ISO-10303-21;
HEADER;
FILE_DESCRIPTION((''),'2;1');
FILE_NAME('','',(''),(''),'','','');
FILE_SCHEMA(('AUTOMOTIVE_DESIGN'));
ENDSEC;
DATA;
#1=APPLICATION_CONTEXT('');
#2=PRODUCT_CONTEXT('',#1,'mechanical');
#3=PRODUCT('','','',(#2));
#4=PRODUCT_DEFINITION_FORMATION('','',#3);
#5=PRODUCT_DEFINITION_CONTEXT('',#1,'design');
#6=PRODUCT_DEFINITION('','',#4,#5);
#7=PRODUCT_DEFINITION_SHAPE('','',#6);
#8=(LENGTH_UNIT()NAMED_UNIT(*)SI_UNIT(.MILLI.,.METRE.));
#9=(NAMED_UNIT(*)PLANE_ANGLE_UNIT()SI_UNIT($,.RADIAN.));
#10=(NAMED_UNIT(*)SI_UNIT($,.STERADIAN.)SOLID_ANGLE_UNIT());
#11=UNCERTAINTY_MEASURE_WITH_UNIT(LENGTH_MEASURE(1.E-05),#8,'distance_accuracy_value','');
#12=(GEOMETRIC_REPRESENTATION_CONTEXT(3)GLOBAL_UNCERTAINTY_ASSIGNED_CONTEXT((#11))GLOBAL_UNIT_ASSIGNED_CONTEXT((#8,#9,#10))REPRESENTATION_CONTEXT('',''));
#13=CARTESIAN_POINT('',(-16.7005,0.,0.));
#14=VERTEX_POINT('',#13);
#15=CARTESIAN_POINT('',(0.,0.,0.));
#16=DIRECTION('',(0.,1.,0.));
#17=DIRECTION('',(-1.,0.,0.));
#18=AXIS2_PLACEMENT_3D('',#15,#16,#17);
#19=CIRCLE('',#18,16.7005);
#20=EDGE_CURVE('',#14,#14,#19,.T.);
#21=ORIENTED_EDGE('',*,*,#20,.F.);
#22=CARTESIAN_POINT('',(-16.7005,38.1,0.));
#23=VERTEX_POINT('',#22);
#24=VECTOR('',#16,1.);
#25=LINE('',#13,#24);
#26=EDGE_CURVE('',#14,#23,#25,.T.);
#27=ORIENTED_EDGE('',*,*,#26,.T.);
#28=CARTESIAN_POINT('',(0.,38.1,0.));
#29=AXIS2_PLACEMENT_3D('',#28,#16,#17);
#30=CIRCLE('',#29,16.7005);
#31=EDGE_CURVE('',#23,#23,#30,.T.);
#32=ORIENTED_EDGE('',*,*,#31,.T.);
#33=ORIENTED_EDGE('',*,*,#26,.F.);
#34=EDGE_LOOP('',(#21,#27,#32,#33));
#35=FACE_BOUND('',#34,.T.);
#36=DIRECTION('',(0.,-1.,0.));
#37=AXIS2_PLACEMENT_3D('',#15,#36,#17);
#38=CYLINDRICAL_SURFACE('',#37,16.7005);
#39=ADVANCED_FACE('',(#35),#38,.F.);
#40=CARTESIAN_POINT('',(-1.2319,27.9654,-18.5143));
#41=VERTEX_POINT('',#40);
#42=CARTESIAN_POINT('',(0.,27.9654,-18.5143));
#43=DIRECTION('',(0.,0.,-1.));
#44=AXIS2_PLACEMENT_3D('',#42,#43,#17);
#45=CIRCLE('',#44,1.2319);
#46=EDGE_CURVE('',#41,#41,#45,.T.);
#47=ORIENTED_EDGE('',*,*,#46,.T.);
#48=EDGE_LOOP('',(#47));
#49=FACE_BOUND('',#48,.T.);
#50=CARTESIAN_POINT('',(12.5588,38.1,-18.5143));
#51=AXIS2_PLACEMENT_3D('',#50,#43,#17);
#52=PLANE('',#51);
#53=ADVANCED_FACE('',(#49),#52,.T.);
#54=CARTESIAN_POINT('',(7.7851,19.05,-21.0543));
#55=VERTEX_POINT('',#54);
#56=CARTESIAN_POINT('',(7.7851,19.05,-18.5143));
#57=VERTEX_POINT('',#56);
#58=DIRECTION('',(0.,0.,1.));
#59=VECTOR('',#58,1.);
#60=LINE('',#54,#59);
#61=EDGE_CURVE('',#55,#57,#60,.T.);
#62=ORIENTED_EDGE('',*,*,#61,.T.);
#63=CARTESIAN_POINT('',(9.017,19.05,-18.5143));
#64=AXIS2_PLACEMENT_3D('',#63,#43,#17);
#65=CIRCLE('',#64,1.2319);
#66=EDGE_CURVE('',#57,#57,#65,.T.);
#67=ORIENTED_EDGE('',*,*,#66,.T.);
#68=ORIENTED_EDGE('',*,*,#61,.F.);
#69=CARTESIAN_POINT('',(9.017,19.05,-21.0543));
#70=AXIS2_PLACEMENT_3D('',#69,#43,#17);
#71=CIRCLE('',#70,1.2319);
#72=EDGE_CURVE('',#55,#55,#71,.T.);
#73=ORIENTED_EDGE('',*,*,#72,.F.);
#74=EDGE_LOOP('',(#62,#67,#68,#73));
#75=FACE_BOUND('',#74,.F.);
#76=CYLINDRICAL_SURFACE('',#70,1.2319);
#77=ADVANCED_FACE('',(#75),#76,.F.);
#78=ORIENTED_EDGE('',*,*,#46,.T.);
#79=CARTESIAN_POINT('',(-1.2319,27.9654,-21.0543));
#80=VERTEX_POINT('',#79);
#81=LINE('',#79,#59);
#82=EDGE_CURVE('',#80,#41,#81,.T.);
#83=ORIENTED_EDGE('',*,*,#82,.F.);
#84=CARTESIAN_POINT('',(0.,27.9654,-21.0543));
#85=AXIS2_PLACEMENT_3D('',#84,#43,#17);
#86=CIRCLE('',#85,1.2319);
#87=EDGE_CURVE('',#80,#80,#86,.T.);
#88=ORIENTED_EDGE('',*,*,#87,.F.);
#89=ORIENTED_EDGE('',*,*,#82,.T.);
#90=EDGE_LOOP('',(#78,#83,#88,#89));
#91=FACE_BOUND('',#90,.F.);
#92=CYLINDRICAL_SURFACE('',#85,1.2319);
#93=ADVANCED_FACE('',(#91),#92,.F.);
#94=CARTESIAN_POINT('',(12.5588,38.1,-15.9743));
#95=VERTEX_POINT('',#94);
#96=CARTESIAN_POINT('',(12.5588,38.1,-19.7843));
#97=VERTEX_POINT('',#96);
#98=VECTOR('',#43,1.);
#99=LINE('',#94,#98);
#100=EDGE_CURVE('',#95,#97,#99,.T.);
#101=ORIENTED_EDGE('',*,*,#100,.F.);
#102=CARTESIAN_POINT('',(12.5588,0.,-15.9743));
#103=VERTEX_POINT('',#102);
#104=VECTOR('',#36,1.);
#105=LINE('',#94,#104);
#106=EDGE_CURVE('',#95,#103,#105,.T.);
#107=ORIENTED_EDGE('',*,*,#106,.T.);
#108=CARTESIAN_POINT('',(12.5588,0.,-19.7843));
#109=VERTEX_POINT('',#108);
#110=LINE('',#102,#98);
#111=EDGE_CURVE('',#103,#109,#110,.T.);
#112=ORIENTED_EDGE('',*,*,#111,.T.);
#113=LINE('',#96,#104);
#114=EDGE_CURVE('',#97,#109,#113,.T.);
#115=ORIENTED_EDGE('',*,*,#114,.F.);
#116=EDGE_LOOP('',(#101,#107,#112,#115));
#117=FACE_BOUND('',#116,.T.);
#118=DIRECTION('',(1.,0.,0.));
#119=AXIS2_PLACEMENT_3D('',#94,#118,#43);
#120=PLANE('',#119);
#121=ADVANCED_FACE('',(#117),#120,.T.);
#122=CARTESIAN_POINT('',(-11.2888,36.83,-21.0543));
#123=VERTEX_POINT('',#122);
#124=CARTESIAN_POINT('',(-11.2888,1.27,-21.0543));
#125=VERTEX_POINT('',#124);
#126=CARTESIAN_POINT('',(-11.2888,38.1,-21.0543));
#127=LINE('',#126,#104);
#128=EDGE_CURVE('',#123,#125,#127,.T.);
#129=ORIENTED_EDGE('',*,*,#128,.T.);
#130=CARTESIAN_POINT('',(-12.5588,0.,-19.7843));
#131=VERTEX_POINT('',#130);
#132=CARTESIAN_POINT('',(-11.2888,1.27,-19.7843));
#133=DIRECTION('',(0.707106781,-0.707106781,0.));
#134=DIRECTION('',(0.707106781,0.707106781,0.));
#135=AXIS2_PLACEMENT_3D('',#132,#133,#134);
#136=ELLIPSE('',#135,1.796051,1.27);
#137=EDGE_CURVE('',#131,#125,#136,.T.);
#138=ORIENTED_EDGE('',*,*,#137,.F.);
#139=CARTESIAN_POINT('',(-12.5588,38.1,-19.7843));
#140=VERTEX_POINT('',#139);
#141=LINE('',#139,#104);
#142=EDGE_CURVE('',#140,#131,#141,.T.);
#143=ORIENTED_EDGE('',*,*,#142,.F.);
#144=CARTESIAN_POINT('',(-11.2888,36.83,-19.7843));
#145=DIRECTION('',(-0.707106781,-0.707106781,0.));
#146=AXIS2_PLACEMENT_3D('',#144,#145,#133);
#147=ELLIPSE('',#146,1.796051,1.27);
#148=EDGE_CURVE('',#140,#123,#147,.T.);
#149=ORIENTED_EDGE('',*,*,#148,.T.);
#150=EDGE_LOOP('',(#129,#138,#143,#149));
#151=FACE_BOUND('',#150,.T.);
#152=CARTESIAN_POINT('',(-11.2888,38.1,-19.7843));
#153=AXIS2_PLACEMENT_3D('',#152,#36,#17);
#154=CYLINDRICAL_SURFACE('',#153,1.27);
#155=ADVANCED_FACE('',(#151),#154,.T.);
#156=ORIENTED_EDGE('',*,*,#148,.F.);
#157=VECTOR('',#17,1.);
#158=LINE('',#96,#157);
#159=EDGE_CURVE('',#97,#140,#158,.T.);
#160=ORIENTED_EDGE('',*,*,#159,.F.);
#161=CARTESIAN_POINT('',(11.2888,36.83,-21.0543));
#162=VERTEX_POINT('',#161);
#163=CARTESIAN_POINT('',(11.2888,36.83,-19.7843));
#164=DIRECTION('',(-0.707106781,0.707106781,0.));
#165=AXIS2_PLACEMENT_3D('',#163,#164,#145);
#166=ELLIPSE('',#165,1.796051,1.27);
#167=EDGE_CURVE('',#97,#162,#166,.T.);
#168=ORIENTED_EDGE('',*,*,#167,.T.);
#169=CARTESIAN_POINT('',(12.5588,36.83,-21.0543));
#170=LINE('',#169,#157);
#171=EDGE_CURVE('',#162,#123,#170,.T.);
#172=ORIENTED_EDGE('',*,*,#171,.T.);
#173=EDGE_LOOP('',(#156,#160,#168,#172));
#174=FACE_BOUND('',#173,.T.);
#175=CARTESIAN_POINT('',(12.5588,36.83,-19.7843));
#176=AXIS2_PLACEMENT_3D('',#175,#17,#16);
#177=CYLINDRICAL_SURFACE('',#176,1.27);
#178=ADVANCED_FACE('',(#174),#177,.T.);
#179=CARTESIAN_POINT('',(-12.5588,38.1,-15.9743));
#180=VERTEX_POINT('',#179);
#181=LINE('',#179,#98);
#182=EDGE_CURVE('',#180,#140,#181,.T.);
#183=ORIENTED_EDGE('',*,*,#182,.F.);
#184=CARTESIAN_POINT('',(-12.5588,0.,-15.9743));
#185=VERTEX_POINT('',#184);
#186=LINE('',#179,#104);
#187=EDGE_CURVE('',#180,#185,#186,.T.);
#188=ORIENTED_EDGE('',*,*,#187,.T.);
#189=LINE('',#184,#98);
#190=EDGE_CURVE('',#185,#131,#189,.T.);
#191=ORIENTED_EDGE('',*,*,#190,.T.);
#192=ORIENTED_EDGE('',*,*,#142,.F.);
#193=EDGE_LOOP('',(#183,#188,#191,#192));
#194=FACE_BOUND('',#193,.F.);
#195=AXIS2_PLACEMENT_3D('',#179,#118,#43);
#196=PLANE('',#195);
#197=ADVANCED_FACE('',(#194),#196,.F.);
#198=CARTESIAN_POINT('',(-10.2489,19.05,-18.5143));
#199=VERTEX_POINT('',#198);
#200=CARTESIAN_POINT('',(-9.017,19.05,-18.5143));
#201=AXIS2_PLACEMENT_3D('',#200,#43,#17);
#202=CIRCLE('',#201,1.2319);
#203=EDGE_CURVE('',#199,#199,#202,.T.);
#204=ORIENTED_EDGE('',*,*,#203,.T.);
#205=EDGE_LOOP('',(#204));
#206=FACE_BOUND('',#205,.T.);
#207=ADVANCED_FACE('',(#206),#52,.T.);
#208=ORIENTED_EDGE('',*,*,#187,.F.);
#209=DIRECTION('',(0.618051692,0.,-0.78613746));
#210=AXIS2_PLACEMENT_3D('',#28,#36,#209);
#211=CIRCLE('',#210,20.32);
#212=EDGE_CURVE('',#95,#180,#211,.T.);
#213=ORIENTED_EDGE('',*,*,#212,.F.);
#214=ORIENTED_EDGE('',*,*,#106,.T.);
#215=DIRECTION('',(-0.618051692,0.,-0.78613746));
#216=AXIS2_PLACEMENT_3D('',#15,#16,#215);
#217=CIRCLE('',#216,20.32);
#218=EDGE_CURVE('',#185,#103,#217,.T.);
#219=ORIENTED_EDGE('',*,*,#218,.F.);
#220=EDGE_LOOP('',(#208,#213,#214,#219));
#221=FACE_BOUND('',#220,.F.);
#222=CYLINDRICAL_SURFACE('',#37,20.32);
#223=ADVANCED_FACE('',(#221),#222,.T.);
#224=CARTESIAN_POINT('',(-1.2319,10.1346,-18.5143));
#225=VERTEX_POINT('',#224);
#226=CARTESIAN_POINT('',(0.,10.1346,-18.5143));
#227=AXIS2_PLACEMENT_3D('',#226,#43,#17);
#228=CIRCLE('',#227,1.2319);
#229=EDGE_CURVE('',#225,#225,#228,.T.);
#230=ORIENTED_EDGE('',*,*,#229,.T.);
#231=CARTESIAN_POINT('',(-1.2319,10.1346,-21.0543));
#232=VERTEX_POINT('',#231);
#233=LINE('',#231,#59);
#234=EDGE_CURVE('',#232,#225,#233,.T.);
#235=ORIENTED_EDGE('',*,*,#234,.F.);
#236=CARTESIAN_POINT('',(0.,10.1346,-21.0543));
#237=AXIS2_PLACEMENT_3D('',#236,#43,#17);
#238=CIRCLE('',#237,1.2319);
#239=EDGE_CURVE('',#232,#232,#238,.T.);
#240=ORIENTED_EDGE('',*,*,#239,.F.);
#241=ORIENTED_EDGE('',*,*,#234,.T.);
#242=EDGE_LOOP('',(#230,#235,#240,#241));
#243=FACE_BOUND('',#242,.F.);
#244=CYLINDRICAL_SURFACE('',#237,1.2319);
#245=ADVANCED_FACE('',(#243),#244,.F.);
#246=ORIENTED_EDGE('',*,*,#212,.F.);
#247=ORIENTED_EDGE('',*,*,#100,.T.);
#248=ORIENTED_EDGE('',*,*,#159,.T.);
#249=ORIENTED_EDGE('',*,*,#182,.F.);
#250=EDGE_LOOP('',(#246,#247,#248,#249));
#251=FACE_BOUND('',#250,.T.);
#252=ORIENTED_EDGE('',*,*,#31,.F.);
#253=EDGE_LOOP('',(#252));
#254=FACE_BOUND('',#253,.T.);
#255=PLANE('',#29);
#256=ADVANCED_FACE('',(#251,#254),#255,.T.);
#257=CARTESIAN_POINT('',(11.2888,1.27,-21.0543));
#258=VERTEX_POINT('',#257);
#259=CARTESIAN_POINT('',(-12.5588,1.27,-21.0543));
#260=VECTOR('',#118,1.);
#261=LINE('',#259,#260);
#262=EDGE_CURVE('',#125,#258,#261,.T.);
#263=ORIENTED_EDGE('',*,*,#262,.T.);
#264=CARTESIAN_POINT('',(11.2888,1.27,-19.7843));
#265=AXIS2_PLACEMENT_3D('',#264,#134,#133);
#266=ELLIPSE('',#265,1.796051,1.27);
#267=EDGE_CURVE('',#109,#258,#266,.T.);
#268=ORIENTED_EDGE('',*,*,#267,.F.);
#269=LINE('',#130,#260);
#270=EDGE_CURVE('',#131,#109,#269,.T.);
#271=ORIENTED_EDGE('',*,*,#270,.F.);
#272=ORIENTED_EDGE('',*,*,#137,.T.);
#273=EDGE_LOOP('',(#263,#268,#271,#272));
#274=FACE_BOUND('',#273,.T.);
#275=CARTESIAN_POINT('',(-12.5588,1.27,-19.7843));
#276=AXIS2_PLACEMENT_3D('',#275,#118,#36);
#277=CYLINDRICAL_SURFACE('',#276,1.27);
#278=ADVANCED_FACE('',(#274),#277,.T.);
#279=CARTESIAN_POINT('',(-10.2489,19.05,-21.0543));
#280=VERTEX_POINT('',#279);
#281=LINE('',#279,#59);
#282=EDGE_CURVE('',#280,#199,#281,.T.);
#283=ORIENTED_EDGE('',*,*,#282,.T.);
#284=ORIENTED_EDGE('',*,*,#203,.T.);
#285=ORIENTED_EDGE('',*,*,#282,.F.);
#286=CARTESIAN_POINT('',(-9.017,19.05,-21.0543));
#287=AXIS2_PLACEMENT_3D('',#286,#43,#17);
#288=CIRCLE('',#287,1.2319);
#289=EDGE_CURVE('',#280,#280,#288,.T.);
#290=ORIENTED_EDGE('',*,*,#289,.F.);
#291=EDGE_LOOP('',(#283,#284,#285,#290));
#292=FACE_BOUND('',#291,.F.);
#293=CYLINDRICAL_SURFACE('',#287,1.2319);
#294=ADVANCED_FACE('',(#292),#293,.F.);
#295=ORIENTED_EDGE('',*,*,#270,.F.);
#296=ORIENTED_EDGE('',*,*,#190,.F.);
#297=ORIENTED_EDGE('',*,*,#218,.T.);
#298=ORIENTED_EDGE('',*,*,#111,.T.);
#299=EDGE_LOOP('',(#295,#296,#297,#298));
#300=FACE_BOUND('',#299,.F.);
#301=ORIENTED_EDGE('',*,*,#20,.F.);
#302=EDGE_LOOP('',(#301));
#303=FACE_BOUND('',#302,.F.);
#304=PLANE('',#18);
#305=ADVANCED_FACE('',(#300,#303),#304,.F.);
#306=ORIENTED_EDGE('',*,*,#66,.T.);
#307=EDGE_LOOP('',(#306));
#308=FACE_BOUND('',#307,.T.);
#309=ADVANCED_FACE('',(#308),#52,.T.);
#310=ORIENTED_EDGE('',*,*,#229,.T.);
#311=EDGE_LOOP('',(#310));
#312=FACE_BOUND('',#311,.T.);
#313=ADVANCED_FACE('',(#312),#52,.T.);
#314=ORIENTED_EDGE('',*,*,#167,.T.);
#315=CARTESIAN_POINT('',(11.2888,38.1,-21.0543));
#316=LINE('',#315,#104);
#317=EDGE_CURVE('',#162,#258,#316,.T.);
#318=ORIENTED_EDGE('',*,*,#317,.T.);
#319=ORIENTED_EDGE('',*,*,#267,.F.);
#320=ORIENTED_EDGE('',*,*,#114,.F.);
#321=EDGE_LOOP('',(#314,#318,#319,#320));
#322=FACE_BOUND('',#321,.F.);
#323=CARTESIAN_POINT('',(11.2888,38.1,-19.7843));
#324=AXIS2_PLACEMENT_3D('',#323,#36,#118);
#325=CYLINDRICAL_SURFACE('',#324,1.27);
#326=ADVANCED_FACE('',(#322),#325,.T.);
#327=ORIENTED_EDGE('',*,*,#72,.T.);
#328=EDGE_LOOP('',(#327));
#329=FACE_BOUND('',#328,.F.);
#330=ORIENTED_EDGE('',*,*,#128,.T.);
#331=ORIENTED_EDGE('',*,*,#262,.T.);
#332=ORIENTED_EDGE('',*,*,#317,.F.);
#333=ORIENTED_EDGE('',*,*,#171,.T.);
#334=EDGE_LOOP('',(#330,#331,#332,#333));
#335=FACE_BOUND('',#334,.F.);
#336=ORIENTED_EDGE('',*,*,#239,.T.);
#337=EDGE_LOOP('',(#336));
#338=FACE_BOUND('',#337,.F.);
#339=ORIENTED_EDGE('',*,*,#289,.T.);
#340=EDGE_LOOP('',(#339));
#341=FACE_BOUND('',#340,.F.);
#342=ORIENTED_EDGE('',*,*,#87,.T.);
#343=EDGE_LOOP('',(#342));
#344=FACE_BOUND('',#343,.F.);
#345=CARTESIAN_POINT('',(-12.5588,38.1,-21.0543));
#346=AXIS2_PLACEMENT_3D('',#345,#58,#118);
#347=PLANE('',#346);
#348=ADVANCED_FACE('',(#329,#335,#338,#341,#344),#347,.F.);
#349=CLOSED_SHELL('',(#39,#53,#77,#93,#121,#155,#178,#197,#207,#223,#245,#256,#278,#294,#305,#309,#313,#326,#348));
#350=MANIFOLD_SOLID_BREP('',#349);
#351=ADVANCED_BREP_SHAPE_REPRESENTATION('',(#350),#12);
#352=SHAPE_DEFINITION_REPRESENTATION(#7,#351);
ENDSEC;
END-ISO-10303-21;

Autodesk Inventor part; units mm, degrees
ref_plane "YZ Plane" through (0, 0, 0) normal (1, 0, 0) x (0, 1, 0)
ref_plane "XZ Plane" through (0, 0, 0) normal (0, 1, 0) x (-1, 0, 0)
ref_plane "XY Plane" through (0, 0, 0) normal (0, 0, 1) x (1, 0, 0)
sketch "Sketch1" plane through (0, 0, 0) normal (0, 1, 0) x (-1, 0, 0)
  circle A0 centre (0, 0) radius 16.7005
  circle A1 centre (0, 0) radius 20.32
  dimension "d1" = 33.401
  dimension "d2" = 40.64
extrude "Extrusion1" add sketch "Sketch1" along normal blind 38.1
sketch "Sketch2" plane through (0, 38.1, 0) normal (0, 1, 0) x (1, 0, 0)
  line L0 (0, 0) -> (0, 17.78) construction
  line L1 (0, 17.78) -> (-12.5588, 15.9743)
  circle A0 centre (0, 0) radius 20.32 projected
  line L2 (0, 17.78) -> (12.5588, 15.9743)
  line L3 (-12.5588, 15.9743) -> (-12.5588, 21.0543)
  line L4 (-12.5588, 21.0543) -> (0, 21.0543)
  line L5 (12.5588, 15.9743) -> (12.5588, 21.0543)
  line L6 (12.5588, 21.0543) -> (0, 21.0543)
  dimension "d5" = 17.78
  dimension "d6" = 5.08
extrude "Extrusion2" add sketch "Sketch2" against normal blind 38.1 contours L1 A0 L2 | L3 L4 L6 L5 A0 picked at (-7.0969, 17.3675)
sketch "Sketch3" plane through (12.5588, 38.1, -21.0543) normal (0, 0, -1) x (-1, 0, 0)
  circle A0 centre (21.5758, -19.05) radius 1.2319
  line L0 (25.1176, -38.1) -> (0, -38.1) projected
  line L1 (25.1176, 0) -> (25.1176, -38.1) projected
  line L2 (12.5588, -38.1) -> (12.5588, 17.1945) construction
  circle A1 centre (3.5418, -19.05) radius 1.2319
  circle A2 centre (12.5588, -27.9654) radius 1.2319
  circle A3 centre (12.5588, -10.1346) radius 1.2319
  line L3 (25.1176, 0) -> (0, 0) projected
  dimension "d9" = 2.4638
  dimension "d10" = 19.05
  dimension "d12" = 18.034
  dimension "d13" = 2.4638
  dimension "d14" = 2.4638
  dimension "d16" = 10.1346
  dimension "d17" = 10.1346
extrude "Extrusion3" cut sketch "Sketch3" against normal blind 2.54
fillet "Fillet1" radius 1.27 4 edges at (0, 0, -21.0543) (-12.5588, 19.05, -21.0543) (12.5588, 19.05, -21.0543) (0, 38.1, -21.0543)
properties part number "ROV Motor couppling"
